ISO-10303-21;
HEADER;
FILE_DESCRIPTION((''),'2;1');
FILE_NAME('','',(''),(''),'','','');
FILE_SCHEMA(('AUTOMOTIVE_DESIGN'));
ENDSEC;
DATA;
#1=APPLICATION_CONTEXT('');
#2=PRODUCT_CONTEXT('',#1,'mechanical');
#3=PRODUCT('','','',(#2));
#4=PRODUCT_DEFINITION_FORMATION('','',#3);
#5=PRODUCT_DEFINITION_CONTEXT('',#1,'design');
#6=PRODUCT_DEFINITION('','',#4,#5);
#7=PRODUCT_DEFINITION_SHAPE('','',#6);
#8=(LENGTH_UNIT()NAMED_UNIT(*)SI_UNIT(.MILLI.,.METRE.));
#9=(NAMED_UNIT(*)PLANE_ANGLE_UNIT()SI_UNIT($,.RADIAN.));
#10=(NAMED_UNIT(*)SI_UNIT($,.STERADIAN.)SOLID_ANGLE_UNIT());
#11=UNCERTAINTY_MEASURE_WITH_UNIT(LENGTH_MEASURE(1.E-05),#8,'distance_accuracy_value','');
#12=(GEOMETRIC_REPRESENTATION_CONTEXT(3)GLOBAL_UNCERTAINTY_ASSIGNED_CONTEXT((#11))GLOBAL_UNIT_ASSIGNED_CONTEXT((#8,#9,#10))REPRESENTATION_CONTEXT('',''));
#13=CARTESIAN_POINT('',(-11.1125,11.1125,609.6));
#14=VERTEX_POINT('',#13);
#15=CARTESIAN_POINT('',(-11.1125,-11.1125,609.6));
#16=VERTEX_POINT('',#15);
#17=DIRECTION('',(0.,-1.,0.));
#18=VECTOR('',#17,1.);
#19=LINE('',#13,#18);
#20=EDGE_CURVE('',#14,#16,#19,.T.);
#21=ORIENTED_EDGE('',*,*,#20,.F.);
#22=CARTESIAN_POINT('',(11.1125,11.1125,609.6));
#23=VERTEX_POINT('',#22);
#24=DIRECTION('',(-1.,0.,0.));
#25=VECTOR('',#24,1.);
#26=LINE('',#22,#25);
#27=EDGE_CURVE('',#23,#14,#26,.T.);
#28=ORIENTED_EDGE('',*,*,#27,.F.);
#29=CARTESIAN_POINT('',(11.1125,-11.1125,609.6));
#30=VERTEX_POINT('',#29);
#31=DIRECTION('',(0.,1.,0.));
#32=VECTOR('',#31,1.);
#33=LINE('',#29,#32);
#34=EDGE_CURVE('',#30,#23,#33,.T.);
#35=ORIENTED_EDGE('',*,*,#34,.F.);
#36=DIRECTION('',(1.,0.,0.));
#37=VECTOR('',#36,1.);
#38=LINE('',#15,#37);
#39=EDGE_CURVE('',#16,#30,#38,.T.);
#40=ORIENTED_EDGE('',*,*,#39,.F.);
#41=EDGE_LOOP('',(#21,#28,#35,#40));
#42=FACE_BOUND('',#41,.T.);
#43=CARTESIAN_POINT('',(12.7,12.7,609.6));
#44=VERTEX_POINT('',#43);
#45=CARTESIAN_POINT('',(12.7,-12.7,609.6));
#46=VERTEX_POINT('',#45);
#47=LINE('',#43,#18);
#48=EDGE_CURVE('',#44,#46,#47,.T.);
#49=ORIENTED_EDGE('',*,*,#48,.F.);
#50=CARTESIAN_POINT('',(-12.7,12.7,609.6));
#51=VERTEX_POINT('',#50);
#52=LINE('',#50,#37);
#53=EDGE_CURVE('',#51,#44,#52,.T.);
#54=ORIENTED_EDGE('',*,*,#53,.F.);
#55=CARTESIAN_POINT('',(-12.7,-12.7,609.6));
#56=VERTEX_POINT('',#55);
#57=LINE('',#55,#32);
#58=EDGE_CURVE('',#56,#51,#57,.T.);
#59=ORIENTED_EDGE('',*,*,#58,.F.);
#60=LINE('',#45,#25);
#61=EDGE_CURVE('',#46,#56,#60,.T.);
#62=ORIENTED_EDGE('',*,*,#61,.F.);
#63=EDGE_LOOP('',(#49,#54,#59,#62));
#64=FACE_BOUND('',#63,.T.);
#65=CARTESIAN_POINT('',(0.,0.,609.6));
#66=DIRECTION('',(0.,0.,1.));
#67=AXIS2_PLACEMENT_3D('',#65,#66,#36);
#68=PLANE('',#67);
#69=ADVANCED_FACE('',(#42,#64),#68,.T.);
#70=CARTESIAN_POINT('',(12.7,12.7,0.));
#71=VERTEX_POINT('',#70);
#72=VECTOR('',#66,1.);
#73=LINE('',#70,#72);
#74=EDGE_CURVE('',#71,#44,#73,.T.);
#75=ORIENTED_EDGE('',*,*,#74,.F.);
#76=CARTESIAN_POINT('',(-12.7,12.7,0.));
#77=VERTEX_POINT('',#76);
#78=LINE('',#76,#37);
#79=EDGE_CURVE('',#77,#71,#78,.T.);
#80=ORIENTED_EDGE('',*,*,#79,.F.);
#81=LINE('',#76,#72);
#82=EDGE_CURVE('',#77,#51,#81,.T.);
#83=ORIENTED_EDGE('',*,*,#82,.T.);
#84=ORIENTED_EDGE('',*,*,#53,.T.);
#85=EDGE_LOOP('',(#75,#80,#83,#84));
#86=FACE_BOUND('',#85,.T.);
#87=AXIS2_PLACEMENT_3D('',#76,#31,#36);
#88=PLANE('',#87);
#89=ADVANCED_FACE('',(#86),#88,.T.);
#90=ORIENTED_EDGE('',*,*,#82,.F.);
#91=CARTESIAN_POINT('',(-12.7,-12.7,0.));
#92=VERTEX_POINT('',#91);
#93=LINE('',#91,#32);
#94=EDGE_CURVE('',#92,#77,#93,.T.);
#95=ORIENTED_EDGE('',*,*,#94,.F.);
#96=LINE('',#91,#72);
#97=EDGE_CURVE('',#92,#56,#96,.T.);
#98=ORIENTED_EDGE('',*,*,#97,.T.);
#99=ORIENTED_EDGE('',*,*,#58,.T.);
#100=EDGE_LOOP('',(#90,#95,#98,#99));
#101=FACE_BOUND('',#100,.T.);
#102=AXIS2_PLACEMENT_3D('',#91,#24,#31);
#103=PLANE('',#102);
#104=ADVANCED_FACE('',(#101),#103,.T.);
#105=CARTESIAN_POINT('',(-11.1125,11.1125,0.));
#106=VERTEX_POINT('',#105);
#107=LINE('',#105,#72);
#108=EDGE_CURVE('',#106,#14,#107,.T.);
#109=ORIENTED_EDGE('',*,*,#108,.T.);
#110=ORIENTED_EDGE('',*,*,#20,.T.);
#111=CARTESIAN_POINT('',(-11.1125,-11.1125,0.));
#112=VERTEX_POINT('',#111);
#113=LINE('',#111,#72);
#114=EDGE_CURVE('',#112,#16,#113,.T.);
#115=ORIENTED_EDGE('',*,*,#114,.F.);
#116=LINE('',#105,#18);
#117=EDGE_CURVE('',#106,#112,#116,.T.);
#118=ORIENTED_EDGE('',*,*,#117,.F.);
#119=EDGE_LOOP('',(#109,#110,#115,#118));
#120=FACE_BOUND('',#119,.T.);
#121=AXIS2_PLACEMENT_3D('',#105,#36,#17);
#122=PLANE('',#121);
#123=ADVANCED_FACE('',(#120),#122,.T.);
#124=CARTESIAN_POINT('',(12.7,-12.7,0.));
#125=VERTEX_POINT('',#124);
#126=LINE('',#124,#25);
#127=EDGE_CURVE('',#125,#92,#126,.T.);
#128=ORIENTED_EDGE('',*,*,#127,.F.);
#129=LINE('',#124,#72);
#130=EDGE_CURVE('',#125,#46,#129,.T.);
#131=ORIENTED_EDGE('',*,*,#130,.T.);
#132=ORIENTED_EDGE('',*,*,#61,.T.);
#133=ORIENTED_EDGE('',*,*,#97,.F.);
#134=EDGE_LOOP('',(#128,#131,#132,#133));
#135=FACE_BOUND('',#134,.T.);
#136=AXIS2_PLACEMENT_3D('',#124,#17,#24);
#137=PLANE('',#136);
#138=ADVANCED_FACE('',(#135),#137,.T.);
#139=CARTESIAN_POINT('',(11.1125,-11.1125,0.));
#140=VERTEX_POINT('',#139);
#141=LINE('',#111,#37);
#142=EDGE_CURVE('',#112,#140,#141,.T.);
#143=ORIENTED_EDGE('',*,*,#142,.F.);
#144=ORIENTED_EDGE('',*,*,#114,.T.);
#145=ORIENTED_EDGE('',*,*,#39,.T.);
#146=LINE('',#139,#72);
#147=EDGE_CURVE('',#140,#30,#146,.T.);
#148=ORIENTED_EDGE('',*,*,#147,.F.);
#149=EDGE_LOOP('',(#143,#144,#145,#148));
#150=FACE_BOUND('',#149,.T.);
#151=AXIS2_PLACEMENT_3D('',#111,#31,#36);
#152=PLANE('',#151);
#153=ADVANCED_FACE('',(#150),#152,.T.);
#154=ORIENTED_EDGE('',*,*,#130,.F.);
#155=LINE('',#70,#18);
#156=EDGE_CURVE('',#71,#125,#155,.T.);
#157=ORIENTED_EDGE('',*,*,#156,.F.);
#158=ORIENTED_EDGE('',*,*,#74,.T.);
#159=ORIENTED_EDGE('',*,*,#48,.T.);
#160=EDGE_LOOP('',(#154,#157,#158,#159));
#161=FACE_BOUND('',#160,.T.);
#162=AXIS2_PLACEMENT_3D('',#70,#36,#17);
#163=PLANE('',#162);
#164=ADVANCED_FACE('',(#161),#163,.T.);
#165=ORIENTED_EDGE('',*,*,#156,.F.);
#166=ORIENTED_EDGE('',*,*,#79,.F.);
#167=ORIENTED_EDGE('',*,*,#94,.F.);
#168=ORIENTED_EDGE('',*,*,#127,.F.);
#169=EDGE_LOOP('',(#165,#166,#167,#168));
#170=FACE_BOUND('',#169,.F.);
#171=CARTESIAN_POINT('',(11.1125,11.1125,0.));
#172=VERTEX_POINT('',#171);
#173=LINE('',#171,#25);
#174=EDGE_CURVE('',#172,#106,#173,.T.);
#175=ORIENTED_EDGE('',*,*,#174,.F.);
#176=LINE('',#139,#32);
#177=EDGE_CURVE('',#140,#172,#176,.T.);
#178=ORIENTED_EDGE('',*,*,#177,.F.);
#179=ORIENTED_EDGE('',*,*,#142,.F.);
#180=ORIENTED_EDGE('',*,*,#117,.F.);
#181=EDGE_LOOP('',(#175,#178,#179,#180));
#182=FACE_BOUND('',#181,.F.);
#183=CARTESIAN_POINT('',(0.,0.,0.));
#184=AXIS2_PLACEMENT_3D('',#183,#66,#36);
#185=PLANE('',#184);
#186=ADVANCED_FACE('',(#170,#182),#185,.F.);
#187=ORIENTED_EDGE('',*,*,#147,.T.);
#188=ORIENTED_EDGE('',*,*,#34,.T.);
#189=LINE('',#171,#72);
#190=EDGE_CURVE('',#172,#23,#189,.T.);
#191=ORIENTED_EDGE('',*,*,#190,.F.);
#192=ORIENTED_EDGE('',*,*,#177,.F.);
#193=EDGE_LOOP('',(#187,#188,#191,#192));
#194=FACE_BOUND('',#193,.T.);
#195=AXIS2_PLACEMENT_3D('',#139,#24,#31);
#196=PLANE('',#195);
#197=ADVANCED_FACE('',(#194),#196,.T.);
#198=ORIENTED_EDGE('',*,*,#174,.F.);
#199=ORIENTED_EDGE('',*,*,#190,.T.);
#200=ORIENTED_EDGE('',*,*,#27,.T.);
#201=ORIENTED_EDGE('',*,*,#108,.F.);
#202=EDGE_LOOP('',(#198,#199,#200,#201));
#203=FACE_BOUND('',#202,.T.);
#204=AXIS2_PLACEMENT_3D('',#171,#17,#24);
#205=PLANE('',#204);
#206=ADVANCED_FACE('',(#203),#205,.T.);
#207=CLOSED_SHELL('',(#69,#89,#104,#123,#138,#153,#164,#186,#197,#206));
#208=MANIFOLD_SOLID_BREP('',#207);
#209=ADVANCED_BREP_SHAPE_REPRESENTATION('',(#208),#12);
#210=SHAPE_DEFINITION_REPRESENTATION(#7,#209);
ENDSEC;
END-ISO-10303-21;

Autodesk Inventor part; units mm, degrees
ref_plane "YZ Plane" through (0, 0, 0) normal (1, 0, 0) x (0, 1, 0)
ref_plane "XZ Plane" through (0, 0, 0) normal (0, 1, 0) x (-1, 0, 0)
ref_plane "XY Plane" through (0, 0, 0) normal (0, 0, 1) x (1, 0, 0)
sketch "Sketch1" plane through (0, 0, 0) normal (0, 0, 1) x (1, 0, 0)
  line L0 (-12.7, -12.7) -> (-12.7, 12.7)
  line L1 (-12.7, 12.7) -> (12.7, 12.7)
  line L2 (12.7, 12.7) -> (12.7, -12.7)
  line L3 (12.7, -12.7) -> (-12.7, -12.7)
  line L4 (-12.7, -12.7) -> (12.7, 12.7) construction
  line L5 (-12.7, 12.7) -> (12.7, -12.7) construction
  line L6 (11.1125, 11.1125) -> (-11.1125, 11.1125)
  line L7 (-11.1125, 11.1125) -> (-11.1125, -11.1125)
  line L8 (-11.1125, -11.1125) -> (11.1125, -11.1125)
  line L9 (11.1125, -11.1125) -> (11.1125, 11.1125)
  point P0 (0, 0)
  dimension "d0" = 25.4
  dimension "d1" = 25.4
  dimension "d2" = 1.5875
extrude "Extrusion1" add sketch "Sketch1" along normal blind 609.6
equation "\"d1\" = d0"
properties part number "24in long 1in square tube"
